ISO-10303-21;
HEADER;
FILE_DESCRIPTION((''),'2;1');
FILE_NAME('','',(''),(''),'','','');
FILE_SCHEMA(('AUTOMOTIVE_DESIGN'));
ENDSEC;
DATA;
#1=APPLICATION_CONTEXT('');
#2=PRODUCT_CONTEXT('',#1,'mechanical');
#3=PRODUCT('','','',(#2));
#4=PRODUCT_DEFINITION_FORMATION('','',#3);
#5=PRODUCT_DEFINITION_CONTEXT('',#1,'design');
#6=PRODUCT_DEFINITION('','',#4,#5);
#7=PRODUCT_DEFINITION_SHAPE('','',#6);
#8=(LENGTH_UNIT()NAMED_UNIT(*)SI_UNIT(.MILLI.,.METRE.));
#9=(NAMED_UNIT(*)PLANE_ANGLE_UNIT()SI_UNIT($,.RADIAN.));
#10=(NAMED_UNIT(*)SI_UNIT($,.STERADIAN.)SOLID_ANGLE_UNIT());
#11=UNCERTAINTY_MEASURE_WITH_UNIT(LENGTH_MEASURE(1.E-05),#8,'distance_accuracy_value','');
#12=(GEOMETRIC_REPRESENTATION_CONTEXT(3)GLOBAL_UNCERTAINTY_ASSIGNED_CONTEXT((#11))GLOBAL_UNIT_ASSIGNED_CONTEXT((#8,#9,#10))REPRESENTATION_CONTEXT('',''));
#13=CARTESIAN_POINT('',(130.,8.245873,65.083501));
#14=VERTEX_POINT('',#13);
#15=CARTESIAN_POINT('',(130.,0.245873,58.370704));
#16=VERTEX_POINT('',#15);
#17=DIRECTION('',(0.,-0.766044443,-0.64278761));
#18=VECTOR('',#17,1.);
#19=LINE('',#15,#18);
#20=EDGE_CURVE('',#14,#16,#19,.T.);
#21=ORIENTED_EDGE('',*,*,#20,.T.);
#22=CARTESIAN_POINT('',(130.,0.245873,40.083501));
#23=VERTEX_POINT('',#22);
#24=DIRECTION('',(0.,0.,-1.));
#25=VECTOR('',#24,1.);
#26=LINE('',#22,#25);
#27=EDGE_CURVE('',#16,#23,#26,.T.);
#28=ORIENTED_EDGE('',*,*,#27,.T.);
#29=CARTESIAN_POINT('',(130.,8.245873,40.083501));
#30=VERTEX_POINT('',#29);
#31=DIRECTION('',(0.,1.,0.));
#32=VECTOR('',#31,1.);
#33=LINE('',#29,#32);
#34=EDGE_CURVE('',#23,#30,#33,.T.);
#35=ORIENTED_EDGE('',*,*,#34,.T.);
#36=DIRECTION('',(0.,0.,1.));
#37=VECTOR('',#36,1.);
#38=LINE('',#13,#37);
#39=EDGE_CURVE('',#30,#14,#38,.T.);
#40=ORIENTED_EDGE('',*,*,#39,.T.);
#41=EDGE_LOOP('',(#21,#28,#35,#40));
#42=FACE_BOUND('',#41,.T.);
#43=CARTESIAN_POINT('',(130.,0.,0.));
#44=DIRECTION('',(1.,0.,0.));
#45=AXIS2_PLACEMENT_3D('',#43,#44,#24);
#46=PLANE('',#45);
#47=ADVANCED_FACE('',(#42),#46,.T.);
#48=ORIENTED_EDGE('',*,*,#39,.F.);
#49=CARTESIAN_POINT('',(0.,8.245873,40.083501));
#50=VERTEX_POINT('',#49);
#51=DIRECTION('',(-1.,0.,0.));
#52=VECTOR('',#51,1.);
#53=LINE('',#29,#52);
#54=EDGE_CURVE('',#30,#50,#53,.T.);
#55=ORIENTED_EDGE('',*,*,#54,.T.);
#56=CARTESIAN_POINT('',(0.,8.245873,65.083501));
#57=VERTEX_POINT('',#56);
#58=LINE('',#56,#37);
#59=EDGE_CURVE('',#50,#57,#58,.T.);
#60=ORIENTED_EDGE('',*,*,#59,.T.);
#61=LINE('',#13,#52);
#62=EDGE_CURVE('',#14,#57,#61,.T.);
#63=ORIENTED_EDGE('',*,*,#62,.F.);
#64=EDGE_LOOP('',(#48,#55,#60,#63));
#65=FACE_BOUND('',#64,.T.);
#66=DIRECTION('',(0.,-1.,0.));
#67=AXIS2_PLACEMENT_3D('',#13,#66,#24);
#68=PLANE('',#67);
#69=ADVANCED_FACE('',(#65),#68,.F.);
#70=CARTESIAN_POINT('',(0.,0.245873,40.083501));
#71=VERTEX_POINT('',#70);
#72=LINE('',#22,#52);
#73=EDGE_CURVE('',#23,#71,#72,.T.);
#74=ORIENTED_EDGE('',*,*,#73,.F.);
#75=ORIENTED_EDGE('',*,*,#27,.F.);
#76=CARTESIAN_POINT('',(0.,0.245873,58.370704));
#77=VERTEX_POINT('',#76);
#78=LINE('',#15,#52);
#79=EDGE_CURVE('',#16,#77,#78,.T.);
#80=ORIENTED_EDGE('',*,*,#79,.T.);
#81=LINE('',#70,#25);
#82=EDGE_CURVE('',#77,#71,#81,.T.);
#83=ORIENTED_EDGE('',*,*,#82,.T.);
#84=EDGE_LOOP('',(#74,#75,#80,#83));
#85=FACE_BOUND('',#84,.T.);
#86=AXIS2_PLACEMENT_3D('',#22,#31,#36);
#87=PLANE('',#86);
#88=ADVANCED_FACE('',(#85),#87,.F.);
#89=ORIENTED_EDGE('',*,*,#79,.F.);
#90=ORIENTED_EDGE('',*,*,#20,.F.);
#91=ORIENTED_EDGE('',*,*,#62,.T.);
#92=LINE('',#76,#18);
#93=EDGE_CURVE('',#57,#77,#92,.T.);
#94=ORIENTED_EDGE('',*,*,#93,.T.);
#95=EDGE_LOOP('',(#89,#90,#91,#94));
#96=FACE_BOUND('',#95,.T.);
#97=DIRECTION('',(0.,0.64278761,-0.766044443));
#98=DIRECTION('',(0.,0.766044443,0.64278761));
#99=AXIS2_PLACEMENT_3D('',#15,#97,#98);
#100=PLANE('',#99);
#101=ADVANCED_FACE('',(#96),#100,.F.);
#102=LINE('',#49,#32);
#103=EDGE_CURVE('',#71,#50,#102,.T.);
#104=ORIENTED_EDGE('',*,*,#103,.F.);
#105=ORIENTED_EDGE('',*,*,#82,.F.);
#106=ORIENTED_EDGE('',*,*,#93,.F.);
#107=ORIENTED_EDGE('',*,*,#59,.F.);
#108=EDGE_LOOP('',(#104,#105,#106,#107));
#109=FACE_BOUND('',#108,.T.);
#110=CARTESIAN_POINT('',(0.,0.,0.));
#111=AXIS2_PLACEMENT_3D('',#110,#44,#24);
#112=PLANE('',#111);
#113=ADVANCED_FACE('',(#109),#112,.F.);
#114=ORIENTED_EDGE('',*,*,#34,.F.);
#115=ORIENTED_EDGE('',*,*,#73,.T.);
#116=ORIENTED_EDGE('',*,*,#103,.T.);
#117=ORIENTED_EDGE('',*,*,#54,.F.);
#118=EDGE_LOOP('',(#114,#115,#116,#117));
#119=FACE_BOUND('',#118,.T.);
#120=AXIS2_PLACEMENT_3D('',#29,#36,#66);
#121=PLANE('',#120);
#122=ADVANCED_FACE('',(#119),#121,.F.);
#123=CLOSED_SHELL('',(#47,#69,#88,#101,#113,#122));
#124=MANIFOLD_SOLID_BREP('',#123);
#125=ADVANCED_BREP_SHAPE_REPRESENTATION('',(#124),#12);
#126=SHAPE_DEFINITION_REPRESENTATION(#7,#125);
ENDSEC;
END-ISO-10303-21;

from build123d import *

# Parameters (mm, degrees)
EXTRUDE_1_DEPTH = 130


with BuildPart() as part:
    # Эскиз1 → Бобышка-Вытянуть1 (new body)
    with BuildSketch(Plane(origin=(0, 0, 0), x_dir=(0, 0, -1), z_dir=(1, 0, 0))):
        Polygon((-58.37070421, 0.245873463), (-65.083501259, 8.245873463), (-40.083501259, 8.245873463), (-40.083501259, 0.245873463), align=None)
    extrude(amount=EXTRUDE_1_DEPTH)


solid = part.part
